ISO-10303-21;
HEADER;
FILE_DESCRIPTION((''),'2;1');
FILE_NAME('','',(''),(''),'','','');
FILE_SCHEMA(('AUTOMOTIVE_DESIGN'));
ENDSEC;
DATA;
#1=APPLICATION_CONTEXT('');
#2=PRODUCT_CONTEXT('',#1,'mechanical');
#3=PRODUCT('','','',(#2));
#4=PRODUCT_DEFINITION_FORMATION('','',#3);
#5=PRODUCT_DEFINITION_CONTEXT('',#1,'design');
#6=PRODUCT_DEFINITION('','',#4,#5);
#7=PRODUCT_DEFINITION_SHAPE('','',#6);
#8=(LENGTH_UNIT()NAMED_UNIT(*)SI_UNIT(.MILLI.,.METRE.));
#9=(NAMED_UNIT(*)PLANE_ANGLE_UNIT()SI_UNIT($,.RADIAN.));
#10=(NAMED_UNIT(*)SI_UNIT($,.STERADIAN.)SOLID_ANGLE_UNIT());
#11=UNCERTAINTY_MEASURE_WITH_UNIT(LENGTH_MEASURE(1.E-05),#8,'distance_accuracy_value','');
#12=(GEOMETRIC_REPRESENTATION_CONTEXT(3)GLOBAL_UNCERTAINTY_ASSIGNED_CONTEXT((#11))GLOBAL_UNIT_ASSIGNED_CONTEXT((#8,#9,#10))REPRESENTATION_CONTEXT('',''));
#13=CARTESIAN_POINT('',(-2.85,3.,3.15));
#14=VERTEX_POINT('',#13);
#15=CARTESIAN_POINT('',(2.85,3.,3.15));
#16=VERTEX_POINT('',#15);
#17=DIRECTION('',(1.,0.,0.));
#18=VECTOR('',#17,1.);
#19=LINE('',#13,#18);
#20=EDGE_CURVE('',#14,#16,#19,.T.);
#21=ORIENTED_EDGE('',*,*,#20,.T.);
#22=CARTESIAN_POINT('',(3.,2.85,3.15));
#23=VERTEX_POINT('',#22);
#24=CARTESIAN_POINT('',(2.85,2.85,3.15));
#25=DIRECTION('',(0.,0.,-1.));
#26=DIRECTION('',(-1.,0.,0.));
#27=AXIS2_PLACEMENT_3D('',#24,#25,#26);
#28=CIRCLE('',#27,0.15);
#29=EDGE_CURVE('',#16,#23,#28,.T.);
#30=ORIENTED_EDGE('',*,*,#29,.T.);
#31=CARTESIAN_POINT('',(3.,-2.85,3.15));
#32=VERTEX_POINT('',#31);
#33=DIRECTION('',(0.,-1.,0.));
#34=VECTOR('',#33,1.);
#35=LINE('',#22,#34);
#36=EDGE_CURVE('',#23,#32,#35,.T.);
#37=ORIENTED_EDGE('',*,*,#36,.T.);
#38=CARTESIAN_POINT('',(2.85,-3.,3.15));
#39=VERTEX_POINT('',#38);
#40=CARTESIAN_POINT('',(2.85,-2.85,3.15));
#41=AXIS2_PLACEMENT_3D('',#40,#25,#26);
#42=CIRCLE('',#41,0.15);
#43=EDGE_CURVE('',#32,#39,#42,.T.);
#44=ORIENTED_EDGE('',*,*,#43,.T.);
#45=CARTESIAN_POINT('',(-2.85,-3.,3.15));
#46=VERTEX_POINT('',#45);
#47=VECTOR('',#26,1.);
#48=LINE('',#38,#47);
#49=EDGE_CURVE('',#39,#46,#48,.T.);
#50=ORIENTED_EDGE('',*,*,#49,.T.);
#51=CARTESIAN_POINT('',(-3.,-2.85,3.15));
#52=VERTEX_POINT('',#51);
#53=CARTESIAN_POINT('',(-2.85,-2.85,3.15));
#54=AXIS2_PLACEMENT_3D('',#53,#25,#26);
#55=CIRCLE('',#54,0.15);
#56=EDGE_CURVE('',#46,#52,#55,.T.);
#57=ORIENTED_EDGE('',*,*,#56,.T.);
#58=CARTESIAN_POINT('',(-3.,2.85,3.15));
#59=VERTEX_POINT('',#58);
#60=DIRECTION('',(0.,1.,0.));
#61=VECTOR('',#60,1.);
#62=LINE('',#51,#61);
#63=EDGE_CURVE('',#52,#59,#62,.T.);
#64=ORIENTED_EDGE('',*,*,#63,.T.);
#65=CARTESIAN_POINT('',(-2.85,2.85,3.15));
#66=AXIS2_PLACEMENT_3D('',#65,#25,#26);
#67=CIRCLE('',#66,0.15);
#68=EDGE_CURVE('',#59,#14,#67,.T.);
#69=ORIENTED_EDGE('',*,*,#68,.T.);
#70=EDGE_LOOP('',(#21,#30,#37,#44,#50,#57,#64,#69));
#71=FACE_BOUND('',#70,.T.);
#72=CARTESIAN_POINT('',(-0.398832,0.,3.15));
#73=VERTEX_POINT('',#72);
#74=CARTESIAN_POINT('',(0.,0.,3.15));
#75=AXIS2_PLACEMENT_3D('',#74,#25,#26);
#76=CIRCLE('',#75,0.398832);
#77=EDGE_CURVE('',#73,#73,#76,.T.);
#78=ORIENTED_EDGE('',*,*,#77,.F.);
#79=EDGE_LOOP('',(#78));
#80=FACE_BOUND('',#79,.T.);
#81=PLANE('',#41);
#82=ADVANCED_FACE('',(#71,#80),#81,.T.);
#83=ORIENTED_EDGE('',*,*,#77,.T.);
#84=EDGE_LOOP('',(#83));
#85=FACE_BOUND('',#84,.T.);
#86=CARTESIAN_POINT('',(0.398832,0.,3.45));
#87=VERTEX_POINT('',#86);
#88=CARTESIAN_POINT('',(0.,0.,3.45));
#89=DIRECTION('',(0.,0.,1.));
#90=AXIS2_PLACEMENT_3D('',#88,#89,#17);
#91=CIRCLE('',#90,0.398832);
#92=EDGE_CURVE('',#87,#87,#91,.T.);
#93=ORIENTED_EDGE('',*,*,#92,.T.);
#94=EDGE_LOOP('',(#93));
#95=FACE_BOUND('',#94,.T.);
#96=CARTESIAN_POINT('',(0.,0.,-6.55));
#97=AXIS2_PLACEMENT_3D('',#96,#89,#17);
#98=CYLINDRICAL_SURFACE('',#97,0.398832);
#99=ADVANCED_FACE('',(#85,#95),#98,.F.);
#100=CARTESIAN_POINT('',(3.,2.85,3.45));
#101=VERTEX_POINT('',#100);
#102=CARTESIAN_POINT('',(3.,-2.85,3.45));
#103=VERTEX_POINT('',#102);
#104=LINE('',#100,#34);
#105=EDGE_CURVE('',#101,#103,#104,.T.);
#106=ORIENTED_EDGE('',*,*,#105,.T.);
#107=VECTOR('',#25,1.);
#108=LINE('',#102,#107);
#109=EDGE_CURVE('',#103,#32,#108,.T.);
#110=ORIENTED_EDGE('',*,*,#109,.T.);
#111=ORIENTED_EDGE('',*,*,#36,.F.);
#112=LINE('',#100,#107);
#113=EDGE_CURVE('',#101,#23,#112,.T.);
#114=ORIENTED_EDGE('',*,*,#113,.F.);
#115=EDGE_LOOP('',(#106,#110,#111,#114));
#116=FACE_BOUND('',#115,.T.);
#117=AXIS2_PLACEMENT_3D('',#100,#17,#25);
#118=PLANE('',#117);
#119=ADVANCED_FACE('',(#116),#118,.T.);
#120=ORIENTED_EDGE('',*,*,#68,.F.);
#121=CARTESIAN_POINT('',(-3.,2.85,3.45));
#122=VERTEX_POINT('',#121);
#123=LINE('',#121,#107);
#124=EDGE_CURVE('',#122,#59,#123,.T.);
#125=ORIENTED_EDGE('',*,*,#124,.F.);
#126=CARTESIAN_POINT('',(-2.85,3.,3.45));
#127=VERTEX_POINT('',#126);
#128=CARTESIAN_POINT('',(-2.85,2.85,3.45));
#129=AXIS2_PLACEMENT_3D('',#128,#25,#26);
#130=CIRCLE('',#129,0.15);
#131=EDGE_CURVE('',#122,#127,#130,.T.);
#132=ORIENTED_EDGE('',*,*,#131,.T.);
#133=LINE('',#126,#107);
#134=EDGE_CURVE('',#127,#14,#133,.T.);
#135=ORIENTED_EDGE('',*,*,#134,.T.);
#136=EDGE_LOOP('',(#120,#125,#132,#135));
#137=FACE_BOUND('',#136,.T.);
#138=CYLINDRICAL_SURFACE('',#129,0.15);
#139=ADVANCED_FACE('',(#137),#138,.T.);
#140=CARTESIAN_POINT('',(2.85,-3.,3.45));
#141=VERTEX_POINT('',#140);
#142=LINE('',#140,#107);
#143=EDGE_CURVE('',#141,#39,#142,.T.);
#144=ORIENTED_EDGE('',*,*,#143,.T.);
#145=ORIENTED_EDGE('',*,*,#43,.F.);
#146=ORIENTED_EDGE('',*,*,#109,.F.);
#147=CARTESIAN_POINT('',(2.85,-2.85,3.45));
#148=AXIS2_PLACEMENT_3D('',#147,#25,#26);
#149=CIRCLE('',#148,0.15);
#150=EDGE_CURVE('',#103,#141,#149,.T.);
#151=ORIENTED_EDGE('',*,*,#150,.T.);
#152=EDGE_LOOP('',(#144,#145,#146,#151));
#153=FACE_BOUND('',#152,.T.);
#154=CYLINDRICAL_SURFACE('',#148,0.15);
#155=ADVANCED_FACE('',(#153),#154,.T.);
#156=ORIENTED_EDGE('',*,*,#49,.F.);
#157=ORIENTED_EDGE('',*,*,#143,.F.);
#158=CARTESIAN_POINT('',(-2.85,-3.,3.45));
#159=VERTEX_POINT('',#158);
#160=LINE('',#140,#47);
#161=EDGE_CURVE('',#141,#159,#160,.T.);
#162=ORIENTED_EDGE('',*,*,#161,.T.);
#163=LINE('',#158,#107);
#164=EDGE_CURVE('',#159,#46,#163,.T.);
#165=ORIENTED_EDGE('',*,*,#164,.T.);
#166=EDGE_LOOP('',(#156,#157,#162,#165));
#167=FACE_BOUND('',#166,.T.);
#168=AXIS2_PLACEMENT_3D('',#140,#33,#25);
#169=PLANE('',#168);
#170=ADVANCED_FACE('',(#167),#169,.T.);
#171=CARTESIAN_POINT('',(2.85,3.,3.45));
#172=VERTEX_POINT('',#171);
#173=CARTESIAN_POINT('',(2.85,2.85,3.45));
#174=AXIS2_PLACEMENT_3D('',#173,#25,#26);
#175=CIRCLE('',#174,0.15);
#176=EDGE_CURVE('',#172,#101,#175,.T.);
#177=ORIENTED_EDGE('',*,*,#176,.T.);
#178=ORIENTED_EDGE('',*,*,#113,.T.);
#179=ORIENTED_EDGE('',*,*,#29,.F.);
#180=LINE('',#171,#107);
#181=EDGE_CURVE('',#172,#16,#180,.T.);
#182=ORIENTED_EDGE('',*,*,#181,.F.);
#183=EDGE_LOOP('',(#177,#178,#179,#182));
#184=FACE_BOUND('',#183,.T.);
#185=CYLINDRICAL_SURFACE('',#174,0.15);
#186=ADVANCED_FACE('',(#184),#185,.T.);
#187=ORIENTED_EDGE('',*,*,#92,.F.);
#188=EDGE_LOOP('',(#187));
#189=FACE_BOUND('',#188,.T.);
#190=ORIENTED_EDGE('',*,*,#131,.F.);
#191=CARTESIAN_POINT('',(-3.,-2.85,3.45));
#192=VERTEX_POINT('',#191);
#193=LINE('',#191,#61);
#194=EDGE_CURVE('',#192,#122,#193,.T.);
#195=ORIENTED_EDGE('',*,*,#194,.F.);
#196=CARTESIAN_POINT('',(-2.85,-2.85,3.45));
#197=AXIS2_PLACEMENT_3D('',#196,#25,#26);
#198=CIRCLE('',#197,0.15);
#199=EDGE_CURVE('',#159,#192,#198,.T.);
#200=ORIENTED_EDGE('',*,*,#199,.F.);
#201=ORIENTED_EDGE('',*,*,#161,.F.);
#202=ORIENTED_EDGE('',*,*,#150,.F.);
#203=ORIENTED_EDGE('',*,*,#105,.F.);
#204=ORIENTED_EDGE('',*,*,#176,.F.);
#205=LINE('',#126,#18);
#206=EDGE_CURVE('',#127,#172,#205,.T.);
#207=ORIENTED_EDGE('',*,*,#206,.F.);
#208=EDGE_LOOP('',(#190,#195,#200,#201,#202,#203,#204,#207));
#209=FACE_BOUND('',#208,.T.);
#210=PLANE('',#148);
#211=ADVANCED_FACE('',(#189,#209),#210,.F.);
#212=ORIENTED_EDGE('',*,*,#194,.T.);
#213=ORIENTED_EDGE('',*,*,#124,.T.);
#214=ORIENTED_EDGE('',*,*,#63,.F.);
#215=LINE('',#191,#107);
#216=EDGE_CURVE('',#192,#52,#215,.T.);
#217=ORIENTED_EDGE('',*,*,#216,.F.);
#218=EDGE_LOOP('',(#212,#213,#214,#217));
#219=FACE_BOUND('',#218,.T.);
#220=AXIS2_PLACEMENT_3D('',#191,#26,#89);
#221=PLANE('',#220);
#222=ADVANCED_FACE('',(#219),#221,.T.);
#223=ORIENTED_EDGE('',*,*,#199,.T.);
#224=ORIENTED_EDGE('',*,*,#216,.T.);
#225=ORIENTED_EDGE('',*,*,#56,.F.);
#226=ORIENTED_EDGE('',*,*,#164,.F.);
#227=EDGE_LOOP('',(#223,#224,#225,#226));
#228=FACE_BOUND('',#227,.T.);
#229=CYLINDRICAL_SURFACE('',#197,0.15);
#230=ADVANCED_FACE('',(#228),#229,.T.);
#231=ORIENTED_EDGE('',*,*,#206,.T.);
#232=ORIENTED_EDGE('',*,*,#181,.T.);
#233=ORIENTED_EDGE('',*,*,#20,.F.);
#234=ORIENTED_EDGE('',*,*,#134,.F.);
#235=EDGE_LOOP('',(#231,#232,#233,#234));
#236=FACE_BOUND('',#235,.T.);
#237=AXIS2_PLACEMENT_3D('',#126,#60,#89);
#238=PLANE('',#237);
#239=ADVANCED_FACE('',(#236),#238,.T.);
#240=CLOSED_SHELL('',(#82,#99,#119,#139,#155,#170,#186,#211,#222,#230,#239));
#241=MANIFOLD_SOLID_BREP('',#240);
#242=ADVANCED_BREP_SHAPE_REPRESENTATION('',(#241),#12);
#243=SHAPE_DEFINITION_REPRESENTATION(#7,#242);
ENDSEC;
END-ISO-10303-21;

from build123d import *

# Parameters (mm, degrees)
EXTRUDE_1_DEPTH     = 0.3
SKETCH_2_R          = 0.398831964
CUT_EXTRUDE_1_DEPTH = 10


with BuildPart() as part:
    # 草图1 → 凸台-拉伸1 (new body)
    with BuildSketch(Plane(origin=(0, 0, 3.15), x_dir=(-1, 0, 0), z_dir=(0, 0, -1))):
        with BuildLine():
            Line((-2.85, -3), (2.85, -3))
            ThreePointArc((2.85, -3), (2.956066017, -2.956066017), (3, -2.85))
            Line((3, -2.85), (3, 2.85))
            ThreePointArc((3, 2.85), (2.956066017, 2.956066017), (2.85, 3))
            Line((2.85, 3), (-2.85, 3))
            ThreePointArc((-2.85, 3), (-2.956066017, 2.956066017), (-3, 2.85))
            Line((-3, 2.85), (-3, -2.85))
            ThreePointArc((-3, -2.85), (-2.956066017, -2.956066017), (-2.85, -3))
        make_face()
    extrude(amount=-EXTRUDE_1_DEPTH)

    # 草图2 → 切除-拉伸1 (cut)
    with BuildSketch(Plane.XY.offset(3.45)):
        Circle(SKETCH_2_R)
    extrude(amount=-CUT_EXTRUDE_1_DEPTH, mode=Mode.SUBTRACT)


solid = part.part
